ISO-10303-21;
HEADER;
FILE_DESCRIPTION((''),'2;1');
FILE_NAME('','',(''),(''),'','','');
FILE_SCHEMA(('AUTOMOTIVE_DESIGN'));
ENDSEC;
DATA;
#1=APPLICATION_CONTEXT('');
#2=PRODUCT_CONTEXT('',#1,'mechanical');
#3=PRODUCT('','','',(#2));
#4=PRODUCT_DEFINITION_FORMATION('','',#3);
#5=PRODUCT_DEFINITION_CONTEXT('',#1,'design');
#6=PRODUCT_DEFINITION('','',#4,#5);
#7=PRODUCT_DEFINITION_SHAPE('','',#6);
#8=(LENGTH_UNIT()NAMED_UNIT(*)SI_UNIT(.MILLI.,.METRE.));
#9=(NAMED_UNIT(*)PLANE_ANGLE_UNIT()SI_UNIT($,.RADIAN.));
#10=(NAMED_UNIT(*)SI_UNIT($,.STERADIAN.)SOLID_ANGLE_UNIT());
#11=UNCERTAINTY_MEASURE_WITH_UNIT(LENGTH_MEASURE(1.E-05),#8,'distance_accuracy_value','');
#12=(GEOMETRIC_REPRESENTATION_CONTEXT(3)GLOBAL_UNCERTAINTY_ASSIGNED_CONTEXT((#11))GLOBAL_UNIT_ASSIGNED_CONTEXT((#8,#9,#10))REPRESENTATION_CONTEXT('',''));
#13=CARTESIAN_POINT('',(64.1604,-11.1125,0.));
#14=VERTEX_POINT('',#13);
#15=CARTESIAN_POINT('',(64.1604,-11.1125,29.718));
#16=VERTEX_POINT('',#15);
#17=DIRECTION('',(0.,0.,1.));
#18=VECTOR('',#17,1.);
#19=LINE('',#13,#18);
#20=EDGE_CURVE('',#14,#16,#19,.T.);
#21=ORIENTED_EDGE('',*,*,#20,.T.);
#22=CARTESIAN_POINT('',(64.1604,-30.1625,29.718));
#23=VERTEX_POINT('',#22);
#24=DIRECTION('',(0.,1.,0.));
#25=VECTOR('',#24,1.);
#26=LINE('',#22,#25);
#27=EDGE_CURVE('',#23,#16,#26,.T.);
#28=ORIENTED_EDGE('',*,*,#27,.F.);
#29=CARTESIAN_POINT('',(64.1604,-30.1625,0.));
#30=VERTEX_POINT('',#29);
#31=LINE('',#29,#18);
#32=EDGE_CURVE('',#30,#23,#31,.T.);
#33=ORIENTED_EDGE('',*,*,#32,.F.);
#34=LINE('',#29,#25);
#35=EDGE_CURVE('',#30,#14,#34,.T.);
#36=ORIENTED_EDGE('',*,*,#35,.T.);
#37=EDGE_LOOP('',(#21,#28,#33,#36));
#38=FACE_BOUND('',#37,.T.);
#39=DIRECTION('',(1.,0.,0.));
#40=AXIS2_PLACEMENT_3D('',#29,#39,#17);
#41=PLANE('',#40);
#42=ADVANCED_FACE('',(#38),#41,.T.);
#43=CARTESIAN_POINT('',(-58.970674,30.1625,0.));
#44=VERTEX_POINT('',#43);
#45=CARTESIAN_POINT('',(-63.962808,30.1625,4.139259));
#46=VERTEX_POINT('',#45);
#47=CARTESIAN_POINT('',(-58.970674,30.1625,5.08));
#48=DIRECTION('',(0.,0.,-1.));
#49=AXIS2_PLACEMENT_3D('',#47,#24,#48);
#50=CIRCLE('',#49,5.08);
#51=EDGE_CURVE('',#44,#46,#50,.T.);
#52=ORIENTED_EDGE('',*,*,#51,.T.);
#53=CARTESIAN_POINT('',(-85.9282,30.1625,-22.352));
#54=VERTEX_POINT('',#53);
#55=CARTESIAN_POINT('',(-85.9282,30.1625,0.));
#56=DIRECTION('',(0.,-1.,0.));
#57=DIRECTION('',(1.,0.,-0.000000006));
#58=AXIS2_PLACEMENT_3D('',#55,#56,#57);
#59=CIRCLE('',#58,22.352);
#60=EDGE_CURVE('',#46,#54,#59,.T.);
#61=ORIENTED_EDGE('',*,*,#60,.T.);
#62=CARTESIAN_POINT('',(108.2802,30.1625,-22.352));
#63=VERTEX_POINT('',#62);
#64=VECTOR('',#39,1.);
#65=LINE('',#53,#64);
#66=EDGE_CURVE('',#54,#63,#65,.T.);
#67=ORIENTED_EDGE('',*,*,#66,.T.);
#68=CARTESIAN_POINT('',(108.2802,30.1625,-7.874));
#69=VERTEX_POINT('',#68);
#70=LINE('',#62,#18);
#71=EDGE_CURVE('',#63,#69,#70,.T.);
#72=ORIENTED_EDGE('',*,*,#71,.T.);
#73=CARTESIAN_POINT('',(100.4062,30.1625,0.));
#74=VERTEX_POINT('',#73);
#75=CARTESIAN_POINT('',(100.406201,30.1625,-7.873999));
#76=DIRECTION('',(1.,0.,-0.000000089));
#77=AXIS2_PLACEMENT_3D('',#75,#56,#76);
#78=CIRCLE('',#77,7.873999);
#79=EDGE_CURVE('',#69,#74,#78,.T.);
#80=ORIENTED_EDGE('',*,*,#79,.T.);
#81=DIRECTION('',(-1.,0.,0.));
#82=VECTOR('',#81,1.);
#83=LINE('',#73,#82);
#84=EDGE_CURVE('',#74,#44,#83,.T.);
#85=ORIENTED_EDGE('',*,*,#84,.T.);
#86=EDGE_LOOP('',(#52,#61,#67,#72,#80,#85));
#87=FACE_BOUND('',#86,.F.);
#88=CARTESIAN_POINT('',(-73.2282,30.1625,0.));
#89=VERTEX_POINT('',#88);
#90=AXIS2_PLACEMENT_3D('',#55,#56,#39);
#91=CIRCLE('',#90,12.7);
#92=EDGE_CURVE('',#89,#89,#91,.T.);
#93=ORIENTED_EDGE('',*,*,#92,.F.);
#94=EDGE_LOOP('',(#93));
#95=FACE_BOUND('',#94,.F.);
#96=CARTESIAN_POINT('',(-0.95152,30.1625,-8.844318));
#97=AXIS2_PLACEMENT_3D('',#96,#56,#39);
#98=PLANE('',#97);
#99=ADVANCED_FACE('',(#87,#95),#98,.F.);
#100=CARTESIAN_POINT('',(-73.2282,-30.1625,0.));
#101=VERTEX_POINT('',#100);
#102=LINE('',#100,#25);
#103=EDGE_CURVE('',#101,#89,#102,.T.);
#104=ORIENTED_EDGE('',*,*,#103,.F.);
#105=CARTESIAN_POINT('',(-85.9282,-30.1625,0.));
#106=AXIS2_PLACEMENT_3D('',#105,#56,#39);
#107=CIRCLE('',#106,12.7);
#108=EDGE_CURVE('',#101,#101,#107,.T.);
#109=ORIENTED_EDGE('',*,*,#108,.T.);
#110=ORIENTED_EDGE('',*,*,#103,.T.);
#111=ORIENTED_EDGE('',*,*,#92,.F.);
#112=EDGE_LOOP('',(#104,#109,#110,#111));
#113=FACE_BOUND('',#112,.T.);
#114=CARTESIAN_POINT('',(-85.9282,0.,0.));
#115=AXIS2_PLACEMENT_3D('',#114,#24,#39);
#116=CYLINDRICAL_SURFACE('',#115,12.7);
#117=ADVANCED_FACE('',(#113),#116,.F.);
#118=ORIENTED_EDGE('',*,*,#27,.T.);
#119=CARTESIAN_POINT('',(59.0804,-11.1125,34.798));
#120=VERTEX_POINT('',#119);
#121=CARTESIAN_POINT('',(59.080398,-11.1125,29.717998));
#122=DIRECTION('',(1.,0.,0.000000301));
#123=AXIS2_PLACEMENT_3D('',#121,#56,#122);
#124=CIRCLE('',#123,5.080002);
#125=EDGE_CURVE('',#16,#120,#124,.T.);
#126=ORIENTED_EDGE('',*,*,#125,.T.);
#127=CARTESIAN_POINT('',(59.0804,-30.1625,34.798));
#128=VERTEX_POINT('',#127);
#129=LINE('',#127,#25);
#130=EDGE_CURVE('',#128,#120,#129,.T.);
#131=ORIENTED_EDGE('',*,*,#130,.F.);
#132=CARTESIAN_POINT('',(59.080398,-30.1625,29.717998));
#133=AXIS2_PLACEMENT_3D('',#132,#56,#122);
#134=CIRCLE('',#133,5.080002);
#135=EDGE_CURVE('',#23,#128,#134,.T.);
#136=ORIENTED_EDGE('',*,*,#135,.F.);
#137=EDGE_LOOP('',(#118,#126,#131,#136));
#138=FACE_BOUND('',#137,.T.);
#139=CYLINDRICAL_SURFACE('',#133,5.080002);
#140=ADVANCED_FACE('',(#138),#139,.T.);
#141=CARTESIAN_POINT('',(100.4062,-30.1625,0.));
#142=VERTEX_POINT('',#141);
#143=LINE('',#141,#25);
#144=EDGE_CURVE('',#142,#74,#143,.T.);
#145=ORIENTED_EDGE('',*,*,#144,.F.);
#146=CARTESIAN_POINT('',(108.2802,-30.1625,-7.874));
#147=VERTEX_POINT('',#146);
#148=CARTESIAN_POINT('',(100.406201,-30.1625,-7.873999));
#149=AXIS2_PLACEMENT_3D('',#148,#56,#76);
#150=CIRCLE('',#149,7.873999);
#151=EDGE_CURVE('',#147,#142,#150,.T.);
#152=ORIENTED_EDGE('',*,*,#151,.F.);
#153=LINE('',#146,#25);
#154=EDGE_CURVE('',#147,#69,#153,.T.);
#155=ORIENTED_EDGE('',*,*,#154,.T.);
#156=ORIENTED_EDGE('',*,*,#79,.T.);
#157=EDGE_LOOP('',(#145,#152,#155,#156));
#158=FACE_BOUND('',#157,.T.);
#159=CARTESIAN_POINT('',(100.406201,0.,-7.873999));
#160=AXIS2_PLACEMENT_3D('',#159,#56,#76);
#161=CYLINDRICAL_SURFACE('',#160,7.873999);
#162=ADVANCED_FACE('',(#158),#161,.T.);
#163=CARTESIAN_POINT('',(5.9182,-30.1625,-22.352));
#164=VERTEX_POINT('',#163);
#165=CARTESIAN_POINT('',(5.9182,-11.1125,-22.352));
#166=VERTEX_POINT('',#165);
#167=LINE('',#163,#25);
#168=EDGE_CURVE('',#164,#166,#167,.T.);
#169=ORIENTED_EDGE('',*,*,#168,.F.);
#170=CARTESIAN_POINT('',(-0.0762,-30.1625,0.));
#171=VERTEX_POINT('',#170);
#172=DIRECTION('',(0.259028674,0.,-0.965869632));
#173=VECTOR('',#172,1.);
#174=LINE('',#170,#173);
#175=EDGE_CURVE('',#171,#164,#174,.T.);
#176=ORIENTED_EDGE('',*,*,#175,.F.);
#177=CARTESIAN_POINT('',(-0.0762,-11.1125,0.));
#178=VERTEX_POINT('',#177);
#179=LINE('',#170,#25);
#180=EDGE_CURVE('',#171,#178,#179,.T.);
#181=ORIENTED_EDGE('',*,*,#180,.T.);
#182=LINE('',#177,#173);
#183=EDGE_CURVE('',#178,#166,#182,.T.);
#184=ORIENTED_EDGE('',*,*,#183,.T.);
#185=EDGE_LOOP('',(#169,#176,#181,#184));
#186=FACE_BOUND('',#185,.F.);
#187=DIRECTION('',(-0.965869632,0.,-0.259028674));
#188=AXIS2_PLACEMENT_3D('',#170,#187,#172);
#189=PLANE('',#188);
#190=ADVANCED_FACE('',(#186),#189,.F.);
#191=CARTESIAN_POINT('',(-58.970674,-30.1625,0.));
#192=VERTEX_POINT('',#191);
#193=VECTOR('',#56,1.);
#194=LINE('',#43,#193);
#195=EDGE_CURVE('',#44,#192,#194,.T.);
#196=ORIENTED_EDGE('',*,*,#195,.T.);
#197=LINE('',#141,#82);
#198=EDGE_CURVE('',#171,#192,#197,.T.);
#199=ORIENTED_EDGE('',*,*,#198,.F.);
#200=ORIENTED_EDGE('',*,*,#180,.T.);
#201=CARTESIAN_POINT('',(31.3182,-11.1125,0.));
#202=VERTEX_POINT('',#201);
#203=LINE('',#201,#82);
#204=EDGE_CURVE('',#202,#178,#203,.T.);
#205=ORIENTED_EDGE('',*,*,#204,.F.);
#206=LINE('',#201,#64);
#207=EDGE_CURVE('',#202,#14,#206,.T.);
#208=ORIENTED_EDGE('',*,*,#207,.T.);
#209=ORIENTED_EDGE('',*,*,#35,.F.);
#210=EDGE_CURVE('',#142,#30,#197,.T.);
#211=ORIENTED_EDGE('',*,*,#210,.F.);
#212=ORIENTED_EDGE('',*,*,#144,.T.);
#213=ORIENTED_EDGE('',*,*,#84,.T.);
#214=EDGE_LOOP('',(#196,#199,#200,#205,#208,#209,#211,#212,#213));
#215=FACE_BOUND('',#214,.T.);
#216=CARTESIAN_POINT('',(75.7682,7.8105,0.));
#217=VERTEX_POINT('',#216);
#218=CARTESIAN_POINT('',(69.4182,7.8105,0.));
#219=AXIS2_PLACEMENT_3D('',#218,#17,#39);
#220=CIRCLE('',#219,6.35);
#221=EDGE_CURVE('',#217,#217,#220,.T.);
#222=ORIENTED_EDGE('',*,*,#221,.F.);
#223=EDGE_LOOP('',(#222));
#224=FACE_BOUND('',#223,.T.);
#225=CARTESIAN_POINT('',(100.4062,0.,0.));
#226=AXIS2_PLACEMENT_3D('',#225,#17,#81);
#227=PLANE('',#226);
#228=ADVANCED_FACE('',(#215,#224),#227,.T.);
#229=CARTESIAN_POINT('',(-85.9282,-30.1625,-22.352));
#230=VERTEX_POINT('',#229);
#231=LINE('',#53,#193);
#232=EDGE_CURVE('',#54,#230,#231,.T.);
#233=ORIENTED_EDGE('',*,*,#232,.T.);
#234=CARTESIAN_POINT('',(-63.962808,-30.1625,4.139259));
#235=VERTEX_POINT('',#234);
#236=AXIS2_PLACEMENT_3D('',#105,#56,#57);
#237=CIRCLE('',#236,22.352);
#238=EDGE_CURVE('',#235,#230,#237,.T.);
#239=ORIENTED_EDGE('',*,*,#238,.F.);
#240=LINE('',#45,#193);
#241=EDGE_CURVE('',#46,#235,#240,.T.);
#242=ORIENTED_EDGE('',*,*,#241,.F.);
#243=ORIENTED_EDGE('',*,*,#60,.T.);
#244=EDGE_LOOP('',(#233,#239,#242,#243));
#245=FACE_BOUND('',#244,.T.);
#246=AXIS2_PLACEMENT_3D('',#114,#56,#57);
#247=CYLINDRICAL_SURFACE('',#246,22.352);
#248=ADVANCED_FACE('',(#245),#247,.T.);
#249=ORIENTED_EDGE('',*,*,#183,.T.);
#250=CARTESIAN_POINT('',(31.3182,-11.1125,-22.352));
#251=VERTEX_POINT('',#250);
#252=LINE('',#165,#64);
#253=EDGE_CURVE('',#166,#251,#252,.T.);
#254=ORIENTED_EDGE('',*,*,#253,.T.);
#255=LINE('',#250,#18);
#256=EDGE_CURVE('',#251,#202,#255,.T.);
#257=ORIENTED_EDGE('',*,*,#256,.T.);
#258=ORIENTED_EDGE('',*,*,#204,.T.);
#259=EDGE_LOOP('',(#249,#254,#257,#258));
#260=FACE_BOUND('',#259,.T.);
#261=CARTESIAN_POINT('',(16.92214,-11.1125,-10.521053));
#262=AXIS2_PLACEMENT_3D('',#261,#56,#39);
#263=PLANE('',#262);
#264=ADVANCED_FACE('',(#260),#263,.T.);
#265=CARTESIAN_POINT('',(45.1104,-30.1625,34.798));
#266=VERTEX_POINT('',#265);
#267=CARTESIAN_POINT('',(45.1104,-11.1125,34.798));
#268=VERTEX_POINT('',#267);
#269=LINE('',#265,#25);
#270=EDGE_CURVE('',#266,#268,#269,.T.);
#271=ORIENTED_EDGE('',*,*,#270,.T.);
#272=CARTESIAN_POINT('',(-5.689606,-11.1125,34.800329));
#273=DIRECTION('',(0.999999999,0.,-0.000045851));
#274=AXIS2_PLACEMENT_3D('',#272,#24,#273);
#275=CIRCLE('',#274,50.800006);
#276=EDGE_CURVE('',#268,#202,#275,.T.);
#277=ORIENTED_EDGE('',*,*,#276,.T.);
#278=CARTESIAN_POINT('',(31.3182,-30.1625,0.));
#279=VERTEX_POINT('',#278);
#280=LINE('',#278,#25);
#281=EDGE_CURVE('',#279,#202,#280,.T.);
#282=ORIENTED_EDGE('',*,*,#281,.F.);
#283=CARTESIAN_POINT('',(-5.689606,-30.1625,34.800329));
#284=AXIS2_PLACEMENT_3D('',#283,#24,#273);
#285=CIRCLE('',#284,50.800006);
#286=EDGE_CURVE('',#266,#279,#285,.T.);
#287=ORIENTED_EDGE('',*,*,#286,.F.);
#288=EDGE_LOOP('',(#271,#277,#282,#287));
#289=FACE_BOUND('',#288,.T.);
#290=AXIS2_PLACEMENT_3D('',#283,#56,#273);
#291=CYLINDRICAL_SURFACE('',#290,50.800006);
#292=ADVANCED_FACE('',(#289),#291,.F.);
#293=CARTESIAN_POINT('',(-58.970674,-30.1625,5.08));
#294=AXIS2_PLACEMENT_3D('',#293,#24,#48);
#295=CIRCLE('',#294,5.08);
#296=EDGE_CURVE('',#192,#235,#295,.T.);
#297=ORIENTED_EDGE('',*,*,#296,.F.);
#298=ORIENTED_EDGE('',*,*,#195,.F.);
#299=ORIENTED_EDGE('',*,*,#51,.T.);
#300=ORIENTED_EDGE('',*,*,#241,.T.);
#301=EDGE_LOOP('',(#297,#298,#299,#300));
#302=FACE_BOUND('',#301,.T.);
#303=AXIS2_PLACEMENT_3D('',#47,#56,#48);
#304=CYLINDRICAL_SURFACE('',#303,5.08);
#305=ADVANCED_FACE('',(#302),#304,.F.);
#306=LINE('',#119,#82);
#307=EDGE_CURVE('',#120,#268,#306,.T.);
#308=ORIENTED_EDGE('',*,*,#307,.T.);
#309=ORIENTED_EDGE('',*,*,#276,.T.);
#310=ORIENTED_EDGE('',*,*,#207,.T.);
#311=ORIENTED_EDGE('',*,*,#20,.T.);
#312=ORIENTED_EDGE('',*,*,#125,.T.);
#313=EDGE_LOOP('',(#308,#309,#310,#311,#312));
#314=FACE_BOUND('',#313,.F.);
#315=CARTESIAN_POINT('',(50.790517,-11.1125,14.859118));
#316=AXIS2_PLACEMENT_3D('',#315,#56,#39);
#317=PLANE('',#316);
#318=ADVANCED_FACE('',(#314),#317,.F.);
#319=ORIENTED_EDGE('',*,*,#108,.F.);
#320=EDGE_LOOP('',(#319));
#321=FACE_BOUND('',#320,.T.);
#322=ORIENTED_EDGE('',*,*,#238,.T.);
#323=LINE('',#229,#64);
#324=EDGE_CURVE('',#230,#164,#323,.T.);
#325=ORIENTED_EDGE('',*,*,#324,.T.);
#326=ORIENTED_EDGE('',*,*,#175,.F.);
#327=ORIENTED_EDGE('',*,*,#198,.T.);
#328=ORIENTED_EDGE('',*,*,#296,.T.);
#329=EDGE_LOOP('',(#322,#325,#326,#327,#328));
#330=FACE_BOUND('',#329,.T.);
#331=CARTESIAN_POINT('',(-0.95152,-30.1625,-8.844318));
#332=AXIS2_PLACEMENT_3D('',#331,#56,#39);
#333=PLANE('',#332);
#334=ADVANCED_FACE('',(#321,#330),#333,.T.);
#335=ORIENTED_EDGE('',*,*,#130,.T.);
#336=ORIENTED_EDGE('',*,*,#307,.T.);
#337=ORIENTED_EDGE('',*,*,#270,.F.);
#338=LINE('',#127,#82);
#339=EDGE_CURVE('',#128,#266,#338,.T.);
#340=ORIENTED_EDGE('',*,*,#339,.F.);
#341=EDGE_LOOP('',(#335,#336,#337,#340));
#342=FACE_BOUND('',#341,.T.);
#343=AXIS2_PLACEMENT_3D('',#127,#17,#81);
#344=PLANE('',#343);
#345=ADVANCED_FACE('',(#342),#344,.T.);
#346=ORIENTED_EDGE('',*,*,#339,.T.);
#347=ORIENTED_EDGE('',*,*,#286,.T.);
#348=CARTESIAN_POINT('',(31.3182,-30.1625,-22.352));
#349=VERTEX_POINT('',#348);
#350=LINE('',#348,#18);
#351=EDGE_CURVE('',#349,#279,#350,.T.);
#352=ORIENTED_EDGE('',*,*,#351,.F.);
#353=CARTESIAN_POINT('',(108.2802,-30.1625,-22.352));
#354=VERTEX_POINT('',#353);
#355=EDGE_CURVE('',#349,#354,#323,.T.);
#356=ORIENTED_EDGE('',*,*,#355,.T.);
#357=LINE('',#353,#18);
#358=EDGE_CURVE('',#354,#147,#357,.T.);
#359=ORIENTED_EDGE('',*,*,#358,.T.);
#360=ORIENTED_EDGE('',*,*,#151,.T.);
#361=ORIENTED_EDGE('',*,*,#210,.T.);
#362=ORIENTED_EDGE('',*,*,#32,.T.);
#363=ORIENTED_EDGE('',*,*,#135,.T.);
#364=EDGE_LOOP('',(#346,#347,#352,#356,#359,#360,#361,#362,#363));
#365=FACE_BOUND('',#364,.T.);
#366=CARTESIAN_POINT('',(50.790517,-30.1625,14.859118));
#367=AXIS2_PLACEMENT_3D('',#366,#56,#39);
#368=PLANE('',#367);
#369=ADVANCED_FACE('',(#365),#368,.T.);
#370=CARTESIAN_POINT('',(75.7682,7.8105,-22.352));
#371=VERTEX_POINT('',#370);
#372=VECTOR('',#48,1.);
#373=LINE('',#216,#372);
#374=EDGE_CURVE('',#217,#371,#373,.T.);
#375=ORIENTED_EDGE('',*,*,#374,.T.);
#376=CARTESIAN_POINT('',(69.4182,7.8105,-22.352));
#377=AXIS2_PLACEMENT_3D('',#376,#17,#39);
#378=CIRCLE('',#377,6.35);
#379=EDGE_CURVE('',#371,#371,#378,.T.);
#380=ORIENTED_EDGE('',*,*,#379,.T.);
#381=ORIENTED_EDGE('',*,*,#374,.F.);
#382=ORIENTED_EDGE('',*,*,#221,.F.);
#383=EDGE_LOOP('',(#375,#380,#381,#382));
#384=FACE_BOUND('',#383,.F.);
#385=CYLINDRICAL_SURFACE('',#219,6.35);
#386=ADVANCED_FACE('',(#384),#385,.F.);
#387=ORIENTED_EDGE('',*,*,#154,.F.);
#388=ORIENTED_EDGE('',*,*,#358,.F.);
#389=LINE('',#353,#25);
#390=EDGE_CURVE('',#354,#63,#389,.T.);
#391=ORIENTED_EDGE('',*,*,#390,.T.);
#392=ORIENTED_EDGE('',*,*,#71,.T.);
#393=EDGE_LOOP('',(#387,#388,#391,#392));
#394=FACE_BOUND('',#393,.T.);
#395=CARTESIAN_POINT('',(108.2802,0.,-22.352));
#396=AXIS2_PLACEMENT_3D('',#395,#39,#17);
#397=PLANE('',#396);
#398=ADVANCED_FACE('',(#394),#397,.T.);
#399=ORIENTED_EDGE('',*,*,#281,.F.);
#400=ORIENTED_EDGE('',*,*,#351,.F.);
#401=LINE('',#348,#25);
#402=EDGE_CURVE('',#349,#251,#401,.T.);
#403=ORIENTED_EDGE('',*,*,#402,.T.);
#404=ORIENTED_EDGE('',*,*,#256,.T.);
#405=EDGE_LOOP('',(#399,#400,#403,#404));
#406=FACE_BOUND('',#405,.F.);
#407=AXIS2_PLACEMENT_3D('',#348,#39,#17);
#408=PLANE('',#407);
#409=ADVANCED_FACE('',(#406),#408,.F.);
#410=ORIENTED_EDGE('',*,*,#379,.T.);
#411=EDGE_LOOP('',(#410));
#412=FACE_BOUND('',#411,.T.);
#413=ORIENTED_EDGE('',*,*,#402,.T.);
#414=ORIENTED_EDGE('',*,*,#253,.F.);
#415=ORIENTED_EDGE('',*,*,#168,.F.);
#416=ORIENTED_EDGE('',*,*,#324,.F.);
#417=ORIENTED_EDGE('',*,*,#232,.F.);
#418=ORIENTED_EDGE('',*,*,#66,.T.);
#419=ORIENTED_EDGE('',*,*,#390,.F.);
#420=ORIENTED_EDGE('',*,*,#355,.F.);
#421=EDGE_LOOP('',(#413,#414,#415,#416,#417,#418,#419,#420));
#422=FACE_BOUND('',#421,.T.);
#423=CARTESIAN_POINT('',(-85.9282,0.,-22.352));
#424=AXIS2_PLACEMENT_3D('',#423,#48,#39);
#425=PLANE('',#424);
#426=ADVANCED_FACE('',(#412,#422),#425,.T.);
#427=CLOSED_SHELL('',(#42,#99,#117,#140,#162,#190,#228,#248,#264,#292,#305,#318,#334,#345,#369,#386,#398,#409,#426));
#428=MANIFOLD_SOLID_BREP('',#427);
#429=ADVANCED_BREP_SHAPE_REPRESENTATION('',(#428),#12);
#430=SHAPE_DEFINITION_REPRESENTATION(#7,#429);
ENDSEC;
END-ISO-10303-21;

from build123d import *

# Parameters (mm, degrees)
F0_R     = 12.7
F1_DEPTH = 30.1625
F3_DEPTH = 19.05
F5_DEPTH = 19.05
F6_R     = 6.35
F7_DEPTH = 22.353
F8_R     = 5.08


with BuildPart() as f1:
    # F0 (on Front) → F1 (new body, symmetric)
    with BuildSketch(Plane.XZ):
        with BuildLine():
            Line((100.4062, 0), (-63.5762, 0))
            ThreePointArc((-63.5762, 0), (-101.733451, 15.805251), (-85.9282, -22.352))
            Line((-85.9282, -22.352), (108.2802, -22.352))
            Line((108.2802, -22.352), (108.2802, -7.874))
            ThreePointArc((108.2802, -7.874), (105.973959, -2.306241), (100.4062, 0))
        make_face()
        with Locations((-85.9282, 0)):
            Circle(F0_R, mode=Mode.SUBTRACT)
    extrude(amount=F1_DEPTH, both=True)

    # F2 (on face) → F3 (cut)
    with BuildSketch(Plane.XZ.offset(30.1625)):
        Polygon((31.3182, 0), (-0.0762, 0), (5.9182, -22.352), (31.3182, -22.352), align=None)
    extrude(amount=-F3_DEPTH, mode=Mode.SUBTRACT)

    # F4 (on face) → F5 (join)
    with BuildSketch(Plane.XZ.offset(30.1625)):
        with BuildLine():
            ThreePointArc((64.1604, 29.718), (62.672502, 33.310102), (59.0804, 34.798))
            Line((59.0804, 34.798), (45.1104, 34.798))
            ThreePointArc((45.1104, 34.798), (41.536215, 16.082358), (31.3182, 0))
            Line((31.3182, 0), (64.1604, 0))
            Line((64.1604, 0), (64.1604, 29.718))
        make_face()
    extrude(amount=-F5_DEPTH)

    # F6 (on face) → F7 (cut, through all)
    with BuildSketch(Plane.XY):
        with Locations((69.4182, 7.8105)):
            Circle(F6_R)
    extrude(amount=-F7_DEPTH, mode=Mode.SUBTRACT)

    # F8
    f8_edges = [f1.edges().sort_by_distance(p)[0] for p in [
        (-63.5762, 0, 0),
    ]]
    fillet(f8_edges, radius=F8_R)


solid = f1.part
